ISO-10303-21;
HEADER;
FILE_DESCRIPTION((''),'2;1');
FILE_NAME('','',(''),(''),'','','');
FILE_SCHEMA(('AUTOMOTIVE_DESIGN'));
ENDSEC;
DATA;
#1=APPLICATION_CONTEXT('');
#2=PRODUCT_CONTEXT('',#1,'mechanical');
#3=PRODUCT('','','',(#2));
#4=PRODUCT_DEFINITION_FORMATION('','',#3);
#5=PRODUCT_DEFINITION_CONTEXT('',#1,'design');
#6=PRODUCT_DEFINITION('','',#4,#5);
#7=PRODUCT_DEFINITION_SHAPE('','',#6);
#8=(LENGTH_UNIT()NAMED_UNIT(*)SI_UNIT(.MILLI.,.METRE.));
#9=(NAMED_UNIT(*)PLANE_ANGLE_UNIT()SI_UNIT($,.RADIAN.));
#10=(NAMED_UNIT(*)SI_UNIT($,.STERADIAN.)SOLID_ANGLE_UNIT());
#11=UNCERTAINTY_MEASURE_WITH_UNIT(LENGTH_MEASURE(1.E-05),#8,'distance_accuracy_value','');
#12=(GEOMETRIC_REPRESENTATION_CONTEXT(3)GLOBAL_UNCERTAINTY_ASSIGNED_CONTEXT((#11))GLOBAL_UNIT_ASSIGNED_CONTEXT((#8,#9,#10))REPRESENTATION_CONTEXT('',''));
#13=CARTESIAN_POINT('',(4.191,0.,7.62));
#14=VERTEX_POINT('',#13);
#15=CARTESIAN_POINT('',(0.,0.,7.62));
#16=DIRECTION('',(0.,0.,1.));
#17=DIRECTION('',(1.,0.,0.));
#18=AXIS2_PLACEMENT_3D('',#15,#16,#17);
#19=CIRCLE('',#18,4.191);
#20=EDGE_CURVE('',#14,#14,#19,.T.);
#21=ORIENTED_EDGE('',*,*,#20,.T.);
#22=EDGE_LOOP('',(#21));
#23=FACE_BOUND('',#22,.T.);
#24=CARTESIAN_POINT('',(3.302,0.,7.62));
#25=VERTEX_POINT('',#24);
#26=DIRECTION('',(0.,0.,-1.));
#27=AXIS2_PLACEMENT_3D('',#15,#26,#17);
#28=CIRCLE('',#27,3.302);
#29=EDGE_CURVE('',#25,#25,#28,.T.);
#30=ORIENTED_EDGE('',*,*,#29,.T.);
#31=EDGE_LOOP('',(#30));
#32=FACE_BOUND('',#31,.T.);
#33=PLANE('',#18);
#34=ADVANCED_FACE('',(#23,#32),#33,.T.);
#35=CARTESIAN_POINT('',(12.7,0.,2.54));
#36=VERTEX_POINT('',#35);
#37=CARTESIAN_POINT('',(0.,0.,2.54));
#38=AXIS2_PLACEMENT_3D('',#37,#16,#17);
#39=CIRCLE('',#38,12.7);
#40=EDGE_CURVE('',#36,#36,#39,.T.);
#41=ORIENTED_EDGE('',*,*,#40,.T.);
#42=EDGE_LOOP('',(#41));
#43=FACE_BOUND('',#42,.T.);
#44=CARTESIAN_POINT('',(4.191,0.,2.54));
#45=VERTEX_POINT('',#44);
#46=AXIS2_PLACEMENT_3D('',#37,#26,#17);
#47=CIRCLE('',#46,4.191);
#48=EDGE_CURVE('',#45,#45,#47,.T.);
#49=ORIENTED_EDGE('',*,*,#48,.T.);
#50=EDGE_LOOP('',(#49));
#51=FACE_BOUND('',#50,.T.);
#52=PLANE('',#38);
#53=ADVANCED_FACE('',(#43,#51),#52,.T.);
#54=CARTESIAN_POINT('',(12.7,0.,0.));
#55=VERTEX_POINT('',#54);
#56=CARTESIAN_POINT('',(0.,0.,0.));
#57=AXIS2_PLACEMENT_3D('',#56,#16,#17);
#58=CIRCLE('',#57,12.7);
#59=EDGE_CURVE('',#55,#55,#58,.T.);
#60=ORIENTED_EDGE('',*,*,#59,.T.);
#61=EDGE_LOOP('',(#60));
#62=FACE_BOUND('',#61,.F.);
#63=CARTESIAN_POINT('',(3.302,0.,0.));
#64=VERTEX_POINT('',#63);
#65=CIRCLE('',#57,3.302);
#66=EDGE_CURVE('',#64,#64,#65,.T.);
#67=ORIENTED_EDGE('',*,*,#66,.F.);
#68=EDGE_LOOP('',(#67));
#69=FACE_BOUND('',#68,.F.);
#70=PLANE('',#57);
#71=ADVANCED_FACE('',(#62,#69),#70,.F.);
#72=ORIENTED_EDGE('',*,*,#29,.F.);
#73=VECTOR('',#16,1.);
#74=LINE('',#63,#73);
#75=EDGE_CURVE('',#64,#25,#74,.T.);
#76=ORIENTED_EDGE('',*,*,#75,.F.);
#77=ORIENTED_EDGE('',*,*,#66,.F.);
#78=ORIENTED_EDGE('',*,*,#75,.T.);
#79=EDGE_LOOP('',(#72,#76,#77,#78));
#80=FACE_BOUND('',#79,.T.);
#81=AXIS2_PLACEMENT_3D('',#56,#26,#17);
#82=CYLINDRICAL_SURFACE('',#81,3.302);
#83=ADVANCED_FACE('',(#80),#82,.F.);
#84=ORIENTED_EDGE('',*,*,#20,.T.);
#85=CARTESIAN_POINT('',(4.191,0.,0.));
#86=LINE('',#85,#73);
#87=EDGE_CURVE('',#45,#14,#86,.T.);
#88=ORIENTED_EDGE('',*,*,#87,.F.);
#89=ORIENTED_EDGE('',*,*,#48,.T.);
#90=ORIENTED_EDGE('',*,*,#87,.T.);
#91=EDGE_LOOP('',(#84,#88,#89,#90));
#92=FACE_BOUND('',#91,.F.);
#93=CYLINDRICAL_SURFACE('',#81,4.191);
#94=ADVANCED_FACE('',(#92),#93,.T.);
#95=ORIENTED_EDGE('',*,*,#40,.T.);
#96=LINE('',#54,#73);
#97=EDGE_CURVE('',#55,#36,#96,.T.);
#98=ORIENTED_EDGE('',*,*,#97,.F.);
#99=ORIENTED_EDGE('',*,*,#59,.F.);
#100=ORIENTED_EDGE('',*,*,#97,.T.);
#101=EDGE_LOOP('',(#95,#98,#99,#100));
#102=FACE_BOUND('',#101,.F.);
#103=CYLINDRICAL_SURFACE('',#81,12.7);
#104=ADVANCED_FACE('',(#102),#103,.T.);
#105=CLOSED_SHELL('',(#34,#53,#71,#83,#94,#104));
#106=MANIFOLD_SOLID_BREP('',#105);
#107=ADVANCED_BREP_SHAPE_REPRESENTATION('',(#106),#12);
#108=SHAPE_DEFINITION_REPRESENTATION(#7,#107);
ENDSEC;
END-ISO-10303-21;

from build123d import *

# Parameters (mm, degrees)
F0_R     = 12.7
F1_DEPTH = 2.54
F2_R     = 4.191
F3_DEPTH = 7.62
F4_R     = 3.302
F5_DEPTH = 7.621


with BuildPart() as f1:
    # F0 (on Top) → F1 (new body)
    with BuildSketch(Plane.XY):
        Circle(F0_R)
    extrude(amount=F1_DEPTH)

    # F2 (on Top) → F3 (join)
    with BuildSketch(Plane.XY):
        Circle(F2_R)
    extrude(amount=F3_DEPTH)

    # F4 (on Top) → F5 (cut, through all)
    with BuildSketch(Plane.XY):
        Circle(F4_R)
    extrude(amount=F5_DEPTH, mode=Mode.SUBTRACT)


solid = f1.part
